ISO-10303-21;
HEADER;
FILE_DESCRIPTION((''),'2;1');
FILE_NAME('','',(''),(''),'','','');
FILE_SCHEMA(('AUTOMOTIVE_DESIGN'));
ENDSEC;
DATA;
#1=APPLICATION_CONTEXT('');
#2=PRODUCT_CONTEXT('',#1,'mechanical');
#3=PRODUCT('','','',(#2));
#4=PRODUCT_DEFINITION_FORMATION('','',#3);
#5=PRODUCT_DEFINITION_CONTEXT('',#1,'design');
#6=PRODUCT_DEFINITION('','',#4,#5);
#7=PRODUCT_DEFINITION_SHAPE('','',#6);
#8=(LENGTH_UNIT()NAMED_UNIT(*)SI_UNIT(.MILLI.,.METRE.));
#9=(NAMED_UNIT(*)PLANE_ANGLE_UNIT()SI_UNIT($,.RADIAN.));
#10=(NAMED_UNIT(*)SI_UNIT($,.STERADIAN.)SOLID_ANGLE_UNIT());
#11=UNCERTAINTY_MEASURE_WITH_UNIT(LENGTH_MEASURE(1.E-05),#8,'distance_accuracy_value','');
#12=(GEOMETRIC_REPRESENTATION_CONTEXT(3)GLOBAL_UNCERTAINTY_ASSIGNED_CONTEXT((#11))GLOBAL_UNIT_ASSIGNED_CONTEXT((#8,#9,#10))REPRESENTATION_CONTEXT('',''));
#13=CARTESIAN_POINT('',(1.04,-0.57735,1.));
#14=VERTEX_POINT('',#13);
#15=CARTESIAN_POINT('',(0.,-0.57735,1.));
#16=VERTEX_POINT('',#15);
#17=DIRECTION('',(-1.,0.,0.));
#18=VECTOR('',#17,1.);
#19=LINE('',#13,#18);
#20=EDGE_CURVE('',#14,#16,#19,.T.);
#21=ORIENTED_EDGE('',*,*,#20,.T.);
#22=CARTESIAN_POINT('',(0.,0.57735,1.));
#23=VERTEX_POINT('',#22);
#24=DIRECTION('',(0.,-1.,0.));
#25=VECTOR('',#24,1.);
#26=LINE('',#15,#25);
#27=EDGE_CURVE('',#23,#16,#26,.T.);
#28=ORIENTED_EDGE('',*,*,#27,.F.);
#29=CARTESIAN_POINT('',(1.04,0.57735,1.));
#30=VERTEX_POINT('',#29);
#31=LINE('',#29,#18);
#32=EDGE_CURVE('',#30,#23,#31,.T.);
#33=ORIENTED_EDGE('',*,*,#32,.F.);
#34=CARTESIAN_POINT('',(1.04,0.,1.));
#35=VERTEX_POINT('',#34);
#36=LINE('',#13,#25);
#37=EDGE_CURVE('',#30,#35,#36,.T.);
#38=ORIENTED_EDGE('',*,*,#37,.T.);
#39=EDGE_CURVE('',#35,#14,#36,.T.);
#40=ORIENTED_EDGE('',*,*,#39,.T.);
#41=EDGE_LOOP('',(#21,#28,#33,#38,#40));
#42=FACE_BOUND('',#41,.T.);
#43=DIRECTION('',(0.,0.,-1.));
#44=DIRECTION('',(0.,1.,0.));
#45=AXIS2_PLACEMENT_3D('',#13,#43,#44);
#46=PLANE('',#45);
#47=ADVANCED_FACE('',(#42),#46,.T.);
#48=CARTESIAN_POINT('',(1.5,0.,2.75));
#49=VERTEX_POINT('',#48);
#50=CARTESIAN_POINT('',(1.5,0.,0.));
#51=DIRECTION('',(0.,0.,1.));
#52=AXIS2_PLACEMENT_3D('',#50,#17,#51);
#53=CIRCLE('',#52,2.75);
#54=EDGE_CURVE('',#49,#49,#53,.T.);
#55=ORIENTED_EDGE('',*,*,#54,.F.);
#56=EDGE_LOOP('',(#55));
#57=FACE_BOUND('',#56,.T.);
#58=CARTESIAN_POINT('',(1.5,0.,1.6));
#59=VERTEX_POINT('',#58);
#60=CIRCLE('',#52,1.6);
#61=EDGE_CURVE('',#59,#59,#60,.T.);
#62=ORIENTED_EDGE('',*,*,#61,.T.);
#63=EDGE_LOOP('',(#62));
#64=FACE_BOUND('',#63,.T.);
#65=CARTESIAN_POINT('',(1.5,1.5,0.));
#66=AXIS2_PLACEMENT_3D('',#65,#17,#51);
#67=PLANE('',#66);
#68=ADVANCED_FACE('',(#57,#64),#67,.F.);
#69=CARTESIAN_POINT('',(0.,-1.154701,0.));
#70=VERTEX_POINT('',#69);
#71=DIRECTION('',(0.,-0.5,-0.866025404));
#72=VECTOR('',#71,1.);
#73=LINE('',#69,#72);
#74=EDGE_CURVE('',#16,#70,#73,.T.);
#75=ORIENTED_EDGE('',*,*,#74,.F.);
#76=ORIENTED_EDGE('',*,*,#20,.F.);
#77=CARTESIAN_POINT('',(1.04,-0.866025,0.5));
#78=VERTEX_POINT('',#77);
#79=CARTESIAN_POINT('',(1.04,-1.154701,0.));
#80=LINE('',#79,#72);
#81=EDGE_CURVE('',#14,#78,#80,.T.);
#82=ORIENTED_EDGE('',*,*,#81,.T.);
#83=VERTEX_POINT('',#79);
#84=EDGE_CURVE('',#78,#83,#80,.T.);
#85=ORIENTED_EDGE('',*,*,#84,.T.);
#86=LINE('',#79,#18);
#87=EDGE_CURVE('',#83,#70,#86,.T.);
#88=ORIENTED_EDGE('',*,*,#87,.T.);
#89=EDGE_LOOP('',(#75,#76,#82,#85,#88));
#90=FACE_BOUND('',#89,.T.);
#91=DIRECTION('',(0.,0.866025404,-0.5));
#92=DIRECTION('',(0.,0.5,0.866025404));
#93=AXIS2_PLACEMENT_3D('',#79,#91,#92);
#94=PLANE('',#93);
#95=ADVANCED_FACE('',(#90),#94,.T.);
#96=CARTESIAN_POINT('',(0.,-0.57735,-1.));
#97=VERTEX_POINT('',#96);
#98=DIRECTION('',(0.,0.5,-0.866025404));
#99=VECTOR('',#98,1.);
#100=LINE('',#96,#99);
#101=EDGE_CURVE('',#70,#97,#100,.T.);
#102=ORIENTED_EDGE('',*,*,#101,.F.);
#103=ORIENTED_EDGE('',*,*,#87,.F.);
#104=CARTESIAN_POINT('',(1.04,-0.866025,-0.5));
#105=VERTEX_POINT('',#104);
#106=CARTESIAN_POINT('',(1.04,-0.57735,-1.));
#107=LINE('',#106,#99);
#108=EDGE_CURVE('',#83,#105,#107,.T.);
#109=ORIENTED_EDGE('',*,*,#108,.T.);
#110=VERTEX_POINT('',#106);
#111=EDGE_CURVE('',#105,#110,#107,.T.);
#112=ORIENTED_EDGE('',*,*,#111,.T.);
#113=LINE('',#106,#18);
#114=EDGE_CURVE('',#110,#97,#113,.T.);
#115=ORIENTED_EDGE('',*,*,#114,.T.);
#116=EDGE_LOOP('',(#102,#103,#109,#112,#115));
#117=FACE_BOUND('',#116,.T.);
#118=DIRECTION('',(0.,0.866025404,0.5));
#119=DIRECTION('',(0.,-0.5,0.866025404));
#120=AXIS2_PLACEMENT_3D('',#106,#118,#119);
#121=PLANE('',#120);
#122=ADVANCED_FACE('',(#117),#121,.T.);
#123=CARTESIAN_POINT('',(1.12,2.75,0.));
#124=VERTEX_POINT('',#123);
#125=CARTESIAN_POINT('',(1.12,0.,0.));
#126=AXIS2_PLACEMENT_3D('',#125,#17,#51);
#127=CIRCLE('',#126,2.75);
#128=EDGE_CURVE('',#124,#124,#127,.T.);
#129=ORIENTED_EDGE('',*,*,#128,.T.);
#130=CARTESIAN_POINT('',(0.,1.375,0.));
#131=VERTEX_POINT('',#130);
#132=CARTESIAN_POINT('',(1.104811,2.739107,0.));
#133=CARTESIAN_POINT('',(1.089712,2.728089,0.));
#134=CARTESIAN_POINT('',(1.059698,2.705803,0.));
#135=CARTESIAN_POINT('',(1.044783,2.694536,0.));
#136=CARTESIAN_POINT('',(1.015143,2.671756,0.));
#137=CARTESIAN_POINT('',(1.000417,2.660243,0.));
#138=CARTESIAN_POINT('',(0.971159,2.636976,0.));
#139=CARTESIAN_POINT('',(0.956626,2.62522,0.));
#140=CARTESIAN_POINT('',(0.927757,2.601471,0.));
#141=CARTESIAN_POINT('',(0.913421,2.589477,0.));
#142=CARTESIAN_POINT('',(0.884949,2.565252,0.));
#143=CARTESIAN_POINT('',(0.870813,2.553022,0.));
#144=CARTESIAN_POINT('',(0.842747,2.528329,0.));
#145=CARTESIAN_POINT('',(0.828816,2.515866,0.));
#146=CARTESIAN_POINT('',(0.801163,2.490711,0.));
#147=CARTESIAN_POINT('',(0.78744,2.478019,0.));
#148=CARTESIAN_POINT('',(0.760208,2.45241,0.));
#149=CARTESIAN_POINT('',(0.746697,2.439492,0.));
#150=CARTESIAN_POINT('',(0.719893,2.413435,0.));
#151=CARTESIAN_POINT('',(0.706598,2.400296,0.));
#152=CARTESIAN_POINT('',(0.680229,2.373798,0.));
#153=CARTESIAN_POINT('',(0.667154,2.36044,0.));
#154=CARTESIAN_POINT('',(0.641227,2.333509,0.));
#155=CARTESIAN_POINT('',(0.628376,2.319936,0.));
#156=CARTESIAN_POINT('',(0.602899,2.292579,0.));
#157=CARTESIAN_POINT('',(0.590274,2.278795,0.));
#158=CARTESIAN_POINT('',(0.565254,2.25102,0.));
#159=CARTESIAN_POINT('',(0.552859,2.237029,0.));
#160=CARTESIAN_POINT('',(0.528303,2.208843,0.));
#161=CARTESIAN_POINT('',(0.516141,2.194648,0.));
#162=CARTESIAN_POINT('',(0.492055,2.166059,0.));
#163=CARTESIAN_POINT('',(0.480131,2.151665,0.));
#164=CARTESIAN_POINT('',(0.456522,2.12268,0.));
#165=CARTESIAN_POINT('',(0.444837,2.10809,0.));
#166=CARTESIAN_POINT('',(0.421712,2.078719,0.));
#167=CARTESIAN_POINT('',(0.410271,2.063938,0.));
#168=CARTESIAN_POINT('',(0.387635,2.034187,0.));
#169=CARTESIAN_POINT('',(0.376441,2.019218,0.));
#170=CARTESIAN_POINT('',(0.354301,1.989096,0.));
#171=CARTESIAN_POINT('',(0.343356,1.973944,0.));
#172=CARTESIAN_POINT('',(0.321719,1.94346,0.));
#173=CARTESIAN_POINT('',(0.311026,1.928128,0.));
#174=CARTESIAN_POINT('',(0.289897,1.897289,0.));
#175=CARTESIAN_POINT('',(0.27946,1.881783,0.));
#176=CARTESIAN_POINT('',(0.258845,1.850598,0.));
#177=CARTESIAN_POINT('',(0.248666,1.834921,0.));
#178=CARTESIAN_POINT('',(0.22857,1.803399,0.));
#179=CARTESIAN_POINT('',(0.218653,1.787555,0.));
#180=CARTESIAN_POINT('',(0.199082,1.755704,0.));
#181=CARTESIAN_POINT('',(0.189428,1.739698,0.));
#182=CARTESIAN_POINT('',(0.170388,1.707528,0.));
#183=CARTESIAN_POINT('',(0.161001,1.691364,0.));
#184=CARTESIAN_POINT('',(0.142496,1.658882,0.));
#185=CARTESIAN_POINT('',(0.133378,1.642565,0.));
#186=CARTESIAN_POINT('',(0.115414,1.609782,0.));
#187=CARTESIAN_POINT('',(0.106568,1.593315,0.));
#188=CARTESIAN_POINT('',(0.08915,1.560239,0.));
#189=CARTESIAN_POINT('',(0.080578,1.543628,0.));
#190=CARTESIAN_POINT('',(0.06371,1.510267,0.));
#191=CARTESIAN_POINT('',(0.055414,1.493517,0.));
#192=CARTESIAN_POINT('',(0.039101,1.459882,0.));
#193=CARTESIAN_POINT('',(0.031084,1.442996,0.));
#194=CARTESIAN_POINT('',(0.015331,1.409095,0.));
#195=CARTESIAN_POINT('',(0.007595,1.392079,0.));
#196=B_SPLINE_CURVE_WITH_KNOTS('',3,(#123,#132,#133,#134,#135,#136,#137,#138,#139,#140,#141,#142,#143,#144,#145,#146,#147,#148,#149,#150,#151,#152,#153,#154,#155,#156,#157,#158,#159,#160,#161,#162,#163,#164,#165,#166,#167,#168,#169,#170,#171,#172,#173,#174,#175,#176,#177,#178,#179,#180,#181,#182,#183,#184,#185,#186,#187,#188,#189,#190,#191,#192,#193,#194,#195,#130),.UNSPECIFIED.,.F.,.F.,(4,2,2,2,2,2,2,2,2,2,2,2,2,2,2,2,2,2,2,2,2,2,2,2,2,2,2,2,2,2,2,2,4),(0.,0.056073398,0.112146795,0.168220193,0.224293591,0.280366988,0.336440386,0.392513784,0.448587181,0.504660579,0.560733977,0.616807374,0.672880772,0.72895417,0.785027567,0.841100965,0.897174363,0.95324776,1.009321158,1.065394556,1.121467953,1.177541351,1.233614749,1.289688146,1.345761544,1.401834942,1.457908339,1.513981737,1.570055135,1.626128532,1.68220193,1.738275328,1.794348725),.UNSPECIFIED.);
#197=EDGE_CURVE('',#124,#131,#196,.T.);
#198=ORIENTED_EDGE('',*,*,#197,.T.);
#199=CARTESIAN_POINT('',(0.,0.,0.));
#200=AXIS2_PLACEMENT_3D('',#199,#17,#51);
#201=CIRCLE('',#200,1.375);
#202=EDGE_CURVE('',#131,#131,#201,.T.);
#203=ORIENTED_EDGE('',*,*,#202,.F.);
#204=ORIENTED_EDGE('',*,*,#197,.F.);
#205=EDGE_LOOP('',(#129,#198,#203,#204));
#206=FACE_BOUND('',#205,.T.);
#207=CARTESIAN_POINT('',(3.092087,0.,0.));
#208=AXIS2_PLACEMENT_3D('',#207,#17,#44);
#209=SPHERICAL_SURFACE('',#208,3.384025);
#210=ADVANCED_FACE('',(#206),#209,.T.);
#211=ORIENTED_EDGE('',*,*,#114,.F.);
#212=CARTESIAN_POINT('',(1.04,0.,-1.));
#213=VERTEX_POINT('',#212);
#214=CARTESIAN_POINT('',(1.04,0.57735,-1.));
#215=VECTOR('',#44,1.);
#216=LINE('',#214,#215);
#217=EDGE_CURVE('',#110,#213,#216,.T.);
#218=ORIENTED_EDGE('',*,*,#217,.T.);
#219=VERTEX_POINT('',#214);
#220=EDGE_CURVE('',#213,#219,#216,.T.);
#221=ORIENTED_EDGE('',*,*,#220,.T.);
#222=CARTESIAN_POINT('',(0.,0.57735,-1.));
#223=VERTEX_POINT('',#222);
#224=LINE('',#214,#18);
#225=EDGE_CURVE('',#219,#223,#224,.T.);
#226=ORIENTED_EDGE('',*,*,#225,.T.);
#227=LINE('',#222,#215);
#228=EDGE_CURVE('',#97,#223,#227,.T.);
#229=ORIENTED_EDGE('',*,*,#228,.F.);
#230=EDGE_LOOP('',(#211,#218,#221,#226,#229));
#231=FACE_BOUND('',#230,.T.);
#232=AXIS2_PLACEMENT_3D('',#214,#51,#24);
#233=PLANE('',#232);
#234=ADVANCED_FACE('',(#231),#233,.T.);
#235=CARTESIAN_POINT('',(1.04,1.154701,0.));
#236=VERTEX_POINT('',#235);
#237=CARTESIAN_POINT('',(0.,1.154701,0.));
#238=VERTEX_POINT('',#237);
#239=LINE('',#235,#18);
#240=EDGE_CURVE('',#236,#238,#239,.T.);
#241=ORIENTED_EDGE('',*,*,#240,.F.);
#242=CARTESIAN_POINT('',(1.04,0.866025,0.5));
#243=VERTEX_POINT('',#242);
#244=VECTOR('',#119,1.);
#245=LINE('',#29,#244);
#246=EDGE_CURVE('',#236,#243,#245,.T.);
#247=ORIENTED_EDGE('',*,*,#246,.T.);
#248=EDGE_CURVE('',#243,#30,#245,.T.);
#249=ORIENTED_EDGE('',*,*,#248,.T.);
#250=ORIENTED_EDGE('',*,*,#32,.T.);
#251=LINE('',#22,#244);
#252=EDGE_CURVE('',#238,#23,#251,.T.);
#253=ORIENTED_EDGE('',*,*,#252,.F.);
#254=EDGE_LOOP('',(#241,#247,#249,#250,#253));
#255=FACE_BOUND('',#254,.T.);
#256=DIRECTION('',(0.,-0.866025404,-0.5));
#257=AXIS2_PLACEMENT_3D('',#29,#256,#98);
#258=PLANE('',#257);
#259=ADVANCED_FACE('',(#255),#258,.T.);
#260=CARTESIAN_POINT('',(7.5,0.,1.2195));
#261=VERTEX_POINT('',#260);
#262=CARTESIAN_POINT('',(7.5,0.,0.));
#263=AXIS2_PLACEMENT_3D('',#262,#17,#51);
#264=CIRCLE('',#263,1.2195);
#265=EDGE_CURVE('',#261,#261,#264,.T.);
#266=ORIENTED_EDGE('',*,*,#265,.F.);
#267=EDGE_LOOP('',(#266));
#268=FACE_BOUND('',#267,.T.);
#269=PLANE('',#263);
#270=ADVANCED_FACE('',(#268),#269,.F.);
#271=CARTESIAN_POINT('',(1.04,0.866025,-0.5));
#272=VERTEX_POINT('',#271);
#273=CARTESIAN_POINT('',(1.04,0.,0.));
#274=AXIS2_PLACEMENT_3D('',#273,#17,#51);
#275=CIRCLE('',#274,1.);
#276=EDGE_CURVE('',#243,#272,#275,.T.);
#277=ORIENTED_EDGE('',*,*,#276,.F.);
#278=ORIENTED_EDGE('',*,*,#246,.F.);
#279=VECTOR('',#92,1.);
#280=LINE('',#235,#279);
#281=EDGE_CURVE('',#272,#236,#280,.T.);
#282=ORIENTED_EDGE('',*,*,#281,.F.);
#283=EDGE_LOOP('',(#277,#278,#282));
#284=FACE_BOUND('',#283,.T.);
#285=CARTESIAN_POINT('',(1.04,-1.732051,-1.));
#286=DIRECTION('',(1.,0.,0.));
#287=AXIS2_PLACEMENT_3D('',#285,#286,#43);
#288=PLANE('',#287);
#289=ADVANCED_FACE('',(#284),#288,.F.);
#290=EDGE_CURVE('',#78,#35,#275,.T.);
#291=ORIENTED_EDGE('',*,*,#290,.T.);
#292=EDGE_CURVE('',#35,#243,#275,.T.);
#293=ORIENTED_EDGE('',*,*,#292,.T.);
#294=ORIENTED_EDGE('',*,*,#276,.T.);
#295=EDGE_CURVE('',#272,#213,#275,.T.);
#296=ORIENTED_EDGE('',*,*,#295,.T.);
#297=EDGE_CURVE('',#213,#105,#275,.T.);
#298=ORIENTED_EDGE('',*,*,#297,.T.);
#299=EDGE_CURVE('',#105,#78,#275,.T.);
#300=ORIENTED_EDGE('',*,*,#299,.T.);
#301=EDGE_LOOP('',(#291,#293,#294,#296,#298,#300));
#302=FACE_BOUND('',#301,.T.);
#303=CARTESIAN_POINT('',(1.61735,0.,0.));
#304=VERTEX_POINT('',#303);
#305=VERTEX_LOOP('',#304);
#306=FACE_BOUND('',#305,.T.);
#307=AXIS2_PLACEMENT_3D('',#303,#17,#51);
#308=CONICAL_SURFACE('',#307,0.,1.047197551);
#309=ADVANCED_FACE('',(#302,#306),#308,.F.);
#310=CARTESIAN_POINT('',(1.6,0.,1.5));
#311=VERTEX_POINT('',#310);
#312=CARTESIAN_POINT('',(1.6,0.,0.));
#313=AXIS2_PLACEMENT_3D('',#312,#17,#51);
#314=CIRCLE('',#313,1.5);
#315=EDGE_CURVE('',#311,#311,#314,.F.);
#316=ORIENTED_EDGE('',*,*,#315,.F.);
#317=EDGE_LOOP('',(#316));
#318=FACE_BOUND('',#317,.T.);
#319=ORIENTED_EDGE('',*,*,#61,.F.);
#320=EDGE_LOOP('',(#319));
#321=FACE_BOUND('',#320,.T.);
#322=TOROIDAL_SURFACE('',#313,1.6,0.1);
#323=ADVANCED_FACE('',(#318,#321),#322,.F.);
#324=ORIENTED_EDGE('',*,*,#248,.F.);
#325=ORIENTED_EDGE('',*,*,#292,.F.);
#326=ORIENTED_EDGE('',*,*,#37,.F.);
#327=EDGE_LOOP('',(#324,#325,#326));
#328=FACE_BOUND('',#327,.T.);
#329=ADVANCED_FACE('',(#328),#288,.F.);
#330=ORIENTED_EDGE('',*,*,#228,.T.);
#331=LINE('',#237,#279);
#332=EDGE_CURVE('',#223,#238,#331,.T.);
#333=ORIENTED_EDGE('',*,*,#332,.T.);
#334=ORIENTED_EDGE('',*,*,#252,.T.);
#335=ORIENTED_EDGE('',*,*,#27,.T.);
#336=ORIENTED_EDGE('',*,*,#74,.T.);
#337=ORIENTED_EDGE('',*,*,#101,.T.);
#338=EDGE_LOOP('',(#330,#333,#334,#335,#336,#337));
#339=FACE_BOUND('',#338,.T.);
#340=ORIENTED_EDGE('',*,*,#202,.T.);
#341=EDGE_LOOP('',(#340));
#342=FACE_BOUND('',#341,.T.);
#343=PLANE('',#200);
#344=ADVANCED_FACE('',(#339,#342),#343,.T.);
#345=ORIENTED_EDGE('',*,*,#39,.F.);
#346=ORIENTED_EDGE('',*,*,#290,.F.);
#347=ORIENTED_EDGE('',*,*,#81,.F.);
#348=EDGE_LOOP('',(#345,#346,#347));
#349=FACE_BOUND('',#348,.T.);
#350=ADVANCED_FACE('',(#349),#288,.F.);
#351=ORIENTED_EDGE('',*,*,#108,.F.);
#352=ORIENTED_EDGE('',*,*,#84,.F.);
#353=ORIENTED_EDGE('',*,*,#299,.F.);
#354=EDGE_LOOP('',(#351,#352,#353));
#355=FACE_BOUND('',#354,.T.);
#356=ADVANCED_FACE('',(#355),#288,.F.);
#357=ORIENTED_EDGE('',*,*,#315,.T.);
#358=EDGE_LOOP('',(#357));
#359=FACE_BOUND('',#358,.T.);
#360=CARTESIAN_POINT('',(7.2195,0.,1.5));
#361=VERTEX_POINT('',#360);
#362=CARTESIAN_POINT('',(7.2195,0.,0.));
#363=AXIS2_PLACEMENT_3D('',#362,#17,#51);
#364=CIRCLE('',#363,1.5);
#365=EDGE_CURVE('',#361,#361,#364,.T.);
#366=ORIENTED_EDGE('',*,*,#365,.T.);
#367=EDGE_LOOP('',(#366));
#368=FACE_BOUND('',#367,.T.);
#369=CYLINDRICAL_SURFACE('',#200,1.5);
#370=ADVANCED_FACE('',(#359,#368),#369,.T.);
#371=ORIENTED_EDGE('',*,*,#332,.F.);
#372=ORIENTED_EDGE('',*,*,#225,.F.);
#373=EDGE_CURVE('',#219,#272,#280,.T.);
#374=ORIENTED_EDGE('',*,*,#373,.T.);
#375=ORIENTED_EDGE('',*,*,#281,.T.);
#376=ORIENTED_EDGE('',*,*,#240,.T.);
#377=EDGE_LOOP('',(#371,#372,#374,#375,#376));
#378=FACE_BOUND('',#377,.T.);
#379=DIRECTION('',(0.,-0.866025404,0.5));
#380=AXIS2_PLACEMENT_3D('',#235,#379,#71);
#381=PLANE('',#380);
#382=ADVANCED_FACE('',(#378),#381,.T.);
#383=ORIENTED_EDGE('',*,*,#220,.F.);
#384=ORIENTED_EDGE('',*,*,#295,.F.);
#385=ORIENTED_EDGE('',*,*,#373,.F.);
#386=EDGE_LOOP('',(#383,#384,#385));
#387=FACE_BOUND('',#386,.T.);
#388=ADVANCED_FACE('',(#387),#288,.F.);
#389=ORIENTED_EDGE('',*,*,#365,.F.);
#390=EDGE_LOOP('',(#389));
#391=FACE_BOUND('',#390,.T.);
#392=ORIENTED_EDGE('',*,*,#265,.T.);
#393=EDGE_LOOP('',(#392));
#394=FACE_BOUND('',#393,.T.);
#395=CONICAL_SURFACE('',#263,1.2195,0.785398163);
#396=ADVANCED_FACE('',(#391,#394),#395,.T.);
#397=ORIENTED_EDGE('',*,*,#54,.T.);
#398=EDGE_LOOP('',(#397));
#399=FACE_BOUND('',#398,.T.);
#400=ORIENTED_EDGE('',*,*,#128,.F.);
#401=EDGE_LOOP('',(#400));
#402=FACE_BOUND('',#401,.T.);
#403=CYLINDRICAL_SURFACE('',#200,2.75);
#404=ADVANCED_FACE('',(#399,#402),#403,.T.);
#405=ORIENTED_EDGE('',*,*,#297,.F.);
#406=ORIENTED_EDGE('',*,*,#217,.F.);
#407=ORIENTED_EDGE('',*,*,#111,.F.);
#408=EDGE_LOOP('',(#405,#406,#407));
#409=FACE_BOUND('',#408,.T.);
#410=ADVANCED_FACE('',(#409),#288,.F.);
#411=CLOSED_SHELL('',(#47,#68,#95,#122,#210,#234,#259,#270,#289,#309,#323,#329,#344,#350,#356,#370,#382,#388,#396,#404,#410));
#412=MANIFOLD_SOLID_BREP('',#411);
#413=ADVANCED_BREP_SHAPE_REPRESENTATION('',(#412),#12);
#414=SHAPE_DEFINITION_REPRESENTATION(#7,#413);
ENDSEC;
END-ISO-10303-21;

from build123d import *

# Parameters (mm, degrees)
FILLET1_R   = 0.1
HEX_2_DEPTH = 1.04


with BuildPart() as part:
    # BodySke → BaseBody (revolve)
    with BuildSketch(Plane.XY, mode=Mode.PRIVATE) as basebody_sk:
        with BuildLine():
            Line((7.5, 0), (7.5, 1.2195))
            Line((7.5, 1.2195), (7.2195, 1.5))
            Line((7.2195, 1.5), (1.5, 1.5))
            Line((1.5, 1.5), (1.5, 2.75))
            Line((1.5, 2.75), (1.12, 2.75))
            ThreePointArc((1.12, 2.75), (0.468326185, 2.13717249), (0, 1.375))
            Line((0, 1.375), (0, 0))
            Line((0, 0), (7.5, 0))
        make_face()
    revolve(basebody_sk.sketch.rotate(Axis((0, 0, 0), (1, 0, 0)), 90), axis=Axis((0, 0, 0), (1, 0, 0)))

    # Fillet1
    fillet1_edges = [part.edges().sort_by_distance(p)[0] for p in [
        (1.5, 0, -1.5),
    ]]
    fillet(fillet1_edges, radius=FILLET1_R)

    # Sketch2 → PreBroach (revolve, cut)
    with BuildSketch(Plane.XY, mode=Mode.PRIVATE) as prebroach_sk:
        Polygon((0, 1), (1.04, 1), (1.617350269, 0), (0, 0), align=None)
    revolve(prebroach_sk.sketch.rotate(Axis((0, 0, 0), (1, 0, 0)), 90), axis=Axis((0, 0, 0), (1, 0, 0)), mode=Mode.SUBTRACT)

    # Sketch3 → Hex 2 (cut)
    with BuildSketch(Plane(origin=(0, 0, 0), x_dir=(0, 0, -1), z_dir=(1, 0, 0))):
        Polygon((-1, -0.577350269), (-1, 0.577350269), (0, 1.154700538), (1, 0.577350269), (1, -0.577350269), (0, -1.154700538), align=None)
    extrude(amount=HEX_2_DEPTH, mode=Mode.SUBTRACT)


solid = part.part
